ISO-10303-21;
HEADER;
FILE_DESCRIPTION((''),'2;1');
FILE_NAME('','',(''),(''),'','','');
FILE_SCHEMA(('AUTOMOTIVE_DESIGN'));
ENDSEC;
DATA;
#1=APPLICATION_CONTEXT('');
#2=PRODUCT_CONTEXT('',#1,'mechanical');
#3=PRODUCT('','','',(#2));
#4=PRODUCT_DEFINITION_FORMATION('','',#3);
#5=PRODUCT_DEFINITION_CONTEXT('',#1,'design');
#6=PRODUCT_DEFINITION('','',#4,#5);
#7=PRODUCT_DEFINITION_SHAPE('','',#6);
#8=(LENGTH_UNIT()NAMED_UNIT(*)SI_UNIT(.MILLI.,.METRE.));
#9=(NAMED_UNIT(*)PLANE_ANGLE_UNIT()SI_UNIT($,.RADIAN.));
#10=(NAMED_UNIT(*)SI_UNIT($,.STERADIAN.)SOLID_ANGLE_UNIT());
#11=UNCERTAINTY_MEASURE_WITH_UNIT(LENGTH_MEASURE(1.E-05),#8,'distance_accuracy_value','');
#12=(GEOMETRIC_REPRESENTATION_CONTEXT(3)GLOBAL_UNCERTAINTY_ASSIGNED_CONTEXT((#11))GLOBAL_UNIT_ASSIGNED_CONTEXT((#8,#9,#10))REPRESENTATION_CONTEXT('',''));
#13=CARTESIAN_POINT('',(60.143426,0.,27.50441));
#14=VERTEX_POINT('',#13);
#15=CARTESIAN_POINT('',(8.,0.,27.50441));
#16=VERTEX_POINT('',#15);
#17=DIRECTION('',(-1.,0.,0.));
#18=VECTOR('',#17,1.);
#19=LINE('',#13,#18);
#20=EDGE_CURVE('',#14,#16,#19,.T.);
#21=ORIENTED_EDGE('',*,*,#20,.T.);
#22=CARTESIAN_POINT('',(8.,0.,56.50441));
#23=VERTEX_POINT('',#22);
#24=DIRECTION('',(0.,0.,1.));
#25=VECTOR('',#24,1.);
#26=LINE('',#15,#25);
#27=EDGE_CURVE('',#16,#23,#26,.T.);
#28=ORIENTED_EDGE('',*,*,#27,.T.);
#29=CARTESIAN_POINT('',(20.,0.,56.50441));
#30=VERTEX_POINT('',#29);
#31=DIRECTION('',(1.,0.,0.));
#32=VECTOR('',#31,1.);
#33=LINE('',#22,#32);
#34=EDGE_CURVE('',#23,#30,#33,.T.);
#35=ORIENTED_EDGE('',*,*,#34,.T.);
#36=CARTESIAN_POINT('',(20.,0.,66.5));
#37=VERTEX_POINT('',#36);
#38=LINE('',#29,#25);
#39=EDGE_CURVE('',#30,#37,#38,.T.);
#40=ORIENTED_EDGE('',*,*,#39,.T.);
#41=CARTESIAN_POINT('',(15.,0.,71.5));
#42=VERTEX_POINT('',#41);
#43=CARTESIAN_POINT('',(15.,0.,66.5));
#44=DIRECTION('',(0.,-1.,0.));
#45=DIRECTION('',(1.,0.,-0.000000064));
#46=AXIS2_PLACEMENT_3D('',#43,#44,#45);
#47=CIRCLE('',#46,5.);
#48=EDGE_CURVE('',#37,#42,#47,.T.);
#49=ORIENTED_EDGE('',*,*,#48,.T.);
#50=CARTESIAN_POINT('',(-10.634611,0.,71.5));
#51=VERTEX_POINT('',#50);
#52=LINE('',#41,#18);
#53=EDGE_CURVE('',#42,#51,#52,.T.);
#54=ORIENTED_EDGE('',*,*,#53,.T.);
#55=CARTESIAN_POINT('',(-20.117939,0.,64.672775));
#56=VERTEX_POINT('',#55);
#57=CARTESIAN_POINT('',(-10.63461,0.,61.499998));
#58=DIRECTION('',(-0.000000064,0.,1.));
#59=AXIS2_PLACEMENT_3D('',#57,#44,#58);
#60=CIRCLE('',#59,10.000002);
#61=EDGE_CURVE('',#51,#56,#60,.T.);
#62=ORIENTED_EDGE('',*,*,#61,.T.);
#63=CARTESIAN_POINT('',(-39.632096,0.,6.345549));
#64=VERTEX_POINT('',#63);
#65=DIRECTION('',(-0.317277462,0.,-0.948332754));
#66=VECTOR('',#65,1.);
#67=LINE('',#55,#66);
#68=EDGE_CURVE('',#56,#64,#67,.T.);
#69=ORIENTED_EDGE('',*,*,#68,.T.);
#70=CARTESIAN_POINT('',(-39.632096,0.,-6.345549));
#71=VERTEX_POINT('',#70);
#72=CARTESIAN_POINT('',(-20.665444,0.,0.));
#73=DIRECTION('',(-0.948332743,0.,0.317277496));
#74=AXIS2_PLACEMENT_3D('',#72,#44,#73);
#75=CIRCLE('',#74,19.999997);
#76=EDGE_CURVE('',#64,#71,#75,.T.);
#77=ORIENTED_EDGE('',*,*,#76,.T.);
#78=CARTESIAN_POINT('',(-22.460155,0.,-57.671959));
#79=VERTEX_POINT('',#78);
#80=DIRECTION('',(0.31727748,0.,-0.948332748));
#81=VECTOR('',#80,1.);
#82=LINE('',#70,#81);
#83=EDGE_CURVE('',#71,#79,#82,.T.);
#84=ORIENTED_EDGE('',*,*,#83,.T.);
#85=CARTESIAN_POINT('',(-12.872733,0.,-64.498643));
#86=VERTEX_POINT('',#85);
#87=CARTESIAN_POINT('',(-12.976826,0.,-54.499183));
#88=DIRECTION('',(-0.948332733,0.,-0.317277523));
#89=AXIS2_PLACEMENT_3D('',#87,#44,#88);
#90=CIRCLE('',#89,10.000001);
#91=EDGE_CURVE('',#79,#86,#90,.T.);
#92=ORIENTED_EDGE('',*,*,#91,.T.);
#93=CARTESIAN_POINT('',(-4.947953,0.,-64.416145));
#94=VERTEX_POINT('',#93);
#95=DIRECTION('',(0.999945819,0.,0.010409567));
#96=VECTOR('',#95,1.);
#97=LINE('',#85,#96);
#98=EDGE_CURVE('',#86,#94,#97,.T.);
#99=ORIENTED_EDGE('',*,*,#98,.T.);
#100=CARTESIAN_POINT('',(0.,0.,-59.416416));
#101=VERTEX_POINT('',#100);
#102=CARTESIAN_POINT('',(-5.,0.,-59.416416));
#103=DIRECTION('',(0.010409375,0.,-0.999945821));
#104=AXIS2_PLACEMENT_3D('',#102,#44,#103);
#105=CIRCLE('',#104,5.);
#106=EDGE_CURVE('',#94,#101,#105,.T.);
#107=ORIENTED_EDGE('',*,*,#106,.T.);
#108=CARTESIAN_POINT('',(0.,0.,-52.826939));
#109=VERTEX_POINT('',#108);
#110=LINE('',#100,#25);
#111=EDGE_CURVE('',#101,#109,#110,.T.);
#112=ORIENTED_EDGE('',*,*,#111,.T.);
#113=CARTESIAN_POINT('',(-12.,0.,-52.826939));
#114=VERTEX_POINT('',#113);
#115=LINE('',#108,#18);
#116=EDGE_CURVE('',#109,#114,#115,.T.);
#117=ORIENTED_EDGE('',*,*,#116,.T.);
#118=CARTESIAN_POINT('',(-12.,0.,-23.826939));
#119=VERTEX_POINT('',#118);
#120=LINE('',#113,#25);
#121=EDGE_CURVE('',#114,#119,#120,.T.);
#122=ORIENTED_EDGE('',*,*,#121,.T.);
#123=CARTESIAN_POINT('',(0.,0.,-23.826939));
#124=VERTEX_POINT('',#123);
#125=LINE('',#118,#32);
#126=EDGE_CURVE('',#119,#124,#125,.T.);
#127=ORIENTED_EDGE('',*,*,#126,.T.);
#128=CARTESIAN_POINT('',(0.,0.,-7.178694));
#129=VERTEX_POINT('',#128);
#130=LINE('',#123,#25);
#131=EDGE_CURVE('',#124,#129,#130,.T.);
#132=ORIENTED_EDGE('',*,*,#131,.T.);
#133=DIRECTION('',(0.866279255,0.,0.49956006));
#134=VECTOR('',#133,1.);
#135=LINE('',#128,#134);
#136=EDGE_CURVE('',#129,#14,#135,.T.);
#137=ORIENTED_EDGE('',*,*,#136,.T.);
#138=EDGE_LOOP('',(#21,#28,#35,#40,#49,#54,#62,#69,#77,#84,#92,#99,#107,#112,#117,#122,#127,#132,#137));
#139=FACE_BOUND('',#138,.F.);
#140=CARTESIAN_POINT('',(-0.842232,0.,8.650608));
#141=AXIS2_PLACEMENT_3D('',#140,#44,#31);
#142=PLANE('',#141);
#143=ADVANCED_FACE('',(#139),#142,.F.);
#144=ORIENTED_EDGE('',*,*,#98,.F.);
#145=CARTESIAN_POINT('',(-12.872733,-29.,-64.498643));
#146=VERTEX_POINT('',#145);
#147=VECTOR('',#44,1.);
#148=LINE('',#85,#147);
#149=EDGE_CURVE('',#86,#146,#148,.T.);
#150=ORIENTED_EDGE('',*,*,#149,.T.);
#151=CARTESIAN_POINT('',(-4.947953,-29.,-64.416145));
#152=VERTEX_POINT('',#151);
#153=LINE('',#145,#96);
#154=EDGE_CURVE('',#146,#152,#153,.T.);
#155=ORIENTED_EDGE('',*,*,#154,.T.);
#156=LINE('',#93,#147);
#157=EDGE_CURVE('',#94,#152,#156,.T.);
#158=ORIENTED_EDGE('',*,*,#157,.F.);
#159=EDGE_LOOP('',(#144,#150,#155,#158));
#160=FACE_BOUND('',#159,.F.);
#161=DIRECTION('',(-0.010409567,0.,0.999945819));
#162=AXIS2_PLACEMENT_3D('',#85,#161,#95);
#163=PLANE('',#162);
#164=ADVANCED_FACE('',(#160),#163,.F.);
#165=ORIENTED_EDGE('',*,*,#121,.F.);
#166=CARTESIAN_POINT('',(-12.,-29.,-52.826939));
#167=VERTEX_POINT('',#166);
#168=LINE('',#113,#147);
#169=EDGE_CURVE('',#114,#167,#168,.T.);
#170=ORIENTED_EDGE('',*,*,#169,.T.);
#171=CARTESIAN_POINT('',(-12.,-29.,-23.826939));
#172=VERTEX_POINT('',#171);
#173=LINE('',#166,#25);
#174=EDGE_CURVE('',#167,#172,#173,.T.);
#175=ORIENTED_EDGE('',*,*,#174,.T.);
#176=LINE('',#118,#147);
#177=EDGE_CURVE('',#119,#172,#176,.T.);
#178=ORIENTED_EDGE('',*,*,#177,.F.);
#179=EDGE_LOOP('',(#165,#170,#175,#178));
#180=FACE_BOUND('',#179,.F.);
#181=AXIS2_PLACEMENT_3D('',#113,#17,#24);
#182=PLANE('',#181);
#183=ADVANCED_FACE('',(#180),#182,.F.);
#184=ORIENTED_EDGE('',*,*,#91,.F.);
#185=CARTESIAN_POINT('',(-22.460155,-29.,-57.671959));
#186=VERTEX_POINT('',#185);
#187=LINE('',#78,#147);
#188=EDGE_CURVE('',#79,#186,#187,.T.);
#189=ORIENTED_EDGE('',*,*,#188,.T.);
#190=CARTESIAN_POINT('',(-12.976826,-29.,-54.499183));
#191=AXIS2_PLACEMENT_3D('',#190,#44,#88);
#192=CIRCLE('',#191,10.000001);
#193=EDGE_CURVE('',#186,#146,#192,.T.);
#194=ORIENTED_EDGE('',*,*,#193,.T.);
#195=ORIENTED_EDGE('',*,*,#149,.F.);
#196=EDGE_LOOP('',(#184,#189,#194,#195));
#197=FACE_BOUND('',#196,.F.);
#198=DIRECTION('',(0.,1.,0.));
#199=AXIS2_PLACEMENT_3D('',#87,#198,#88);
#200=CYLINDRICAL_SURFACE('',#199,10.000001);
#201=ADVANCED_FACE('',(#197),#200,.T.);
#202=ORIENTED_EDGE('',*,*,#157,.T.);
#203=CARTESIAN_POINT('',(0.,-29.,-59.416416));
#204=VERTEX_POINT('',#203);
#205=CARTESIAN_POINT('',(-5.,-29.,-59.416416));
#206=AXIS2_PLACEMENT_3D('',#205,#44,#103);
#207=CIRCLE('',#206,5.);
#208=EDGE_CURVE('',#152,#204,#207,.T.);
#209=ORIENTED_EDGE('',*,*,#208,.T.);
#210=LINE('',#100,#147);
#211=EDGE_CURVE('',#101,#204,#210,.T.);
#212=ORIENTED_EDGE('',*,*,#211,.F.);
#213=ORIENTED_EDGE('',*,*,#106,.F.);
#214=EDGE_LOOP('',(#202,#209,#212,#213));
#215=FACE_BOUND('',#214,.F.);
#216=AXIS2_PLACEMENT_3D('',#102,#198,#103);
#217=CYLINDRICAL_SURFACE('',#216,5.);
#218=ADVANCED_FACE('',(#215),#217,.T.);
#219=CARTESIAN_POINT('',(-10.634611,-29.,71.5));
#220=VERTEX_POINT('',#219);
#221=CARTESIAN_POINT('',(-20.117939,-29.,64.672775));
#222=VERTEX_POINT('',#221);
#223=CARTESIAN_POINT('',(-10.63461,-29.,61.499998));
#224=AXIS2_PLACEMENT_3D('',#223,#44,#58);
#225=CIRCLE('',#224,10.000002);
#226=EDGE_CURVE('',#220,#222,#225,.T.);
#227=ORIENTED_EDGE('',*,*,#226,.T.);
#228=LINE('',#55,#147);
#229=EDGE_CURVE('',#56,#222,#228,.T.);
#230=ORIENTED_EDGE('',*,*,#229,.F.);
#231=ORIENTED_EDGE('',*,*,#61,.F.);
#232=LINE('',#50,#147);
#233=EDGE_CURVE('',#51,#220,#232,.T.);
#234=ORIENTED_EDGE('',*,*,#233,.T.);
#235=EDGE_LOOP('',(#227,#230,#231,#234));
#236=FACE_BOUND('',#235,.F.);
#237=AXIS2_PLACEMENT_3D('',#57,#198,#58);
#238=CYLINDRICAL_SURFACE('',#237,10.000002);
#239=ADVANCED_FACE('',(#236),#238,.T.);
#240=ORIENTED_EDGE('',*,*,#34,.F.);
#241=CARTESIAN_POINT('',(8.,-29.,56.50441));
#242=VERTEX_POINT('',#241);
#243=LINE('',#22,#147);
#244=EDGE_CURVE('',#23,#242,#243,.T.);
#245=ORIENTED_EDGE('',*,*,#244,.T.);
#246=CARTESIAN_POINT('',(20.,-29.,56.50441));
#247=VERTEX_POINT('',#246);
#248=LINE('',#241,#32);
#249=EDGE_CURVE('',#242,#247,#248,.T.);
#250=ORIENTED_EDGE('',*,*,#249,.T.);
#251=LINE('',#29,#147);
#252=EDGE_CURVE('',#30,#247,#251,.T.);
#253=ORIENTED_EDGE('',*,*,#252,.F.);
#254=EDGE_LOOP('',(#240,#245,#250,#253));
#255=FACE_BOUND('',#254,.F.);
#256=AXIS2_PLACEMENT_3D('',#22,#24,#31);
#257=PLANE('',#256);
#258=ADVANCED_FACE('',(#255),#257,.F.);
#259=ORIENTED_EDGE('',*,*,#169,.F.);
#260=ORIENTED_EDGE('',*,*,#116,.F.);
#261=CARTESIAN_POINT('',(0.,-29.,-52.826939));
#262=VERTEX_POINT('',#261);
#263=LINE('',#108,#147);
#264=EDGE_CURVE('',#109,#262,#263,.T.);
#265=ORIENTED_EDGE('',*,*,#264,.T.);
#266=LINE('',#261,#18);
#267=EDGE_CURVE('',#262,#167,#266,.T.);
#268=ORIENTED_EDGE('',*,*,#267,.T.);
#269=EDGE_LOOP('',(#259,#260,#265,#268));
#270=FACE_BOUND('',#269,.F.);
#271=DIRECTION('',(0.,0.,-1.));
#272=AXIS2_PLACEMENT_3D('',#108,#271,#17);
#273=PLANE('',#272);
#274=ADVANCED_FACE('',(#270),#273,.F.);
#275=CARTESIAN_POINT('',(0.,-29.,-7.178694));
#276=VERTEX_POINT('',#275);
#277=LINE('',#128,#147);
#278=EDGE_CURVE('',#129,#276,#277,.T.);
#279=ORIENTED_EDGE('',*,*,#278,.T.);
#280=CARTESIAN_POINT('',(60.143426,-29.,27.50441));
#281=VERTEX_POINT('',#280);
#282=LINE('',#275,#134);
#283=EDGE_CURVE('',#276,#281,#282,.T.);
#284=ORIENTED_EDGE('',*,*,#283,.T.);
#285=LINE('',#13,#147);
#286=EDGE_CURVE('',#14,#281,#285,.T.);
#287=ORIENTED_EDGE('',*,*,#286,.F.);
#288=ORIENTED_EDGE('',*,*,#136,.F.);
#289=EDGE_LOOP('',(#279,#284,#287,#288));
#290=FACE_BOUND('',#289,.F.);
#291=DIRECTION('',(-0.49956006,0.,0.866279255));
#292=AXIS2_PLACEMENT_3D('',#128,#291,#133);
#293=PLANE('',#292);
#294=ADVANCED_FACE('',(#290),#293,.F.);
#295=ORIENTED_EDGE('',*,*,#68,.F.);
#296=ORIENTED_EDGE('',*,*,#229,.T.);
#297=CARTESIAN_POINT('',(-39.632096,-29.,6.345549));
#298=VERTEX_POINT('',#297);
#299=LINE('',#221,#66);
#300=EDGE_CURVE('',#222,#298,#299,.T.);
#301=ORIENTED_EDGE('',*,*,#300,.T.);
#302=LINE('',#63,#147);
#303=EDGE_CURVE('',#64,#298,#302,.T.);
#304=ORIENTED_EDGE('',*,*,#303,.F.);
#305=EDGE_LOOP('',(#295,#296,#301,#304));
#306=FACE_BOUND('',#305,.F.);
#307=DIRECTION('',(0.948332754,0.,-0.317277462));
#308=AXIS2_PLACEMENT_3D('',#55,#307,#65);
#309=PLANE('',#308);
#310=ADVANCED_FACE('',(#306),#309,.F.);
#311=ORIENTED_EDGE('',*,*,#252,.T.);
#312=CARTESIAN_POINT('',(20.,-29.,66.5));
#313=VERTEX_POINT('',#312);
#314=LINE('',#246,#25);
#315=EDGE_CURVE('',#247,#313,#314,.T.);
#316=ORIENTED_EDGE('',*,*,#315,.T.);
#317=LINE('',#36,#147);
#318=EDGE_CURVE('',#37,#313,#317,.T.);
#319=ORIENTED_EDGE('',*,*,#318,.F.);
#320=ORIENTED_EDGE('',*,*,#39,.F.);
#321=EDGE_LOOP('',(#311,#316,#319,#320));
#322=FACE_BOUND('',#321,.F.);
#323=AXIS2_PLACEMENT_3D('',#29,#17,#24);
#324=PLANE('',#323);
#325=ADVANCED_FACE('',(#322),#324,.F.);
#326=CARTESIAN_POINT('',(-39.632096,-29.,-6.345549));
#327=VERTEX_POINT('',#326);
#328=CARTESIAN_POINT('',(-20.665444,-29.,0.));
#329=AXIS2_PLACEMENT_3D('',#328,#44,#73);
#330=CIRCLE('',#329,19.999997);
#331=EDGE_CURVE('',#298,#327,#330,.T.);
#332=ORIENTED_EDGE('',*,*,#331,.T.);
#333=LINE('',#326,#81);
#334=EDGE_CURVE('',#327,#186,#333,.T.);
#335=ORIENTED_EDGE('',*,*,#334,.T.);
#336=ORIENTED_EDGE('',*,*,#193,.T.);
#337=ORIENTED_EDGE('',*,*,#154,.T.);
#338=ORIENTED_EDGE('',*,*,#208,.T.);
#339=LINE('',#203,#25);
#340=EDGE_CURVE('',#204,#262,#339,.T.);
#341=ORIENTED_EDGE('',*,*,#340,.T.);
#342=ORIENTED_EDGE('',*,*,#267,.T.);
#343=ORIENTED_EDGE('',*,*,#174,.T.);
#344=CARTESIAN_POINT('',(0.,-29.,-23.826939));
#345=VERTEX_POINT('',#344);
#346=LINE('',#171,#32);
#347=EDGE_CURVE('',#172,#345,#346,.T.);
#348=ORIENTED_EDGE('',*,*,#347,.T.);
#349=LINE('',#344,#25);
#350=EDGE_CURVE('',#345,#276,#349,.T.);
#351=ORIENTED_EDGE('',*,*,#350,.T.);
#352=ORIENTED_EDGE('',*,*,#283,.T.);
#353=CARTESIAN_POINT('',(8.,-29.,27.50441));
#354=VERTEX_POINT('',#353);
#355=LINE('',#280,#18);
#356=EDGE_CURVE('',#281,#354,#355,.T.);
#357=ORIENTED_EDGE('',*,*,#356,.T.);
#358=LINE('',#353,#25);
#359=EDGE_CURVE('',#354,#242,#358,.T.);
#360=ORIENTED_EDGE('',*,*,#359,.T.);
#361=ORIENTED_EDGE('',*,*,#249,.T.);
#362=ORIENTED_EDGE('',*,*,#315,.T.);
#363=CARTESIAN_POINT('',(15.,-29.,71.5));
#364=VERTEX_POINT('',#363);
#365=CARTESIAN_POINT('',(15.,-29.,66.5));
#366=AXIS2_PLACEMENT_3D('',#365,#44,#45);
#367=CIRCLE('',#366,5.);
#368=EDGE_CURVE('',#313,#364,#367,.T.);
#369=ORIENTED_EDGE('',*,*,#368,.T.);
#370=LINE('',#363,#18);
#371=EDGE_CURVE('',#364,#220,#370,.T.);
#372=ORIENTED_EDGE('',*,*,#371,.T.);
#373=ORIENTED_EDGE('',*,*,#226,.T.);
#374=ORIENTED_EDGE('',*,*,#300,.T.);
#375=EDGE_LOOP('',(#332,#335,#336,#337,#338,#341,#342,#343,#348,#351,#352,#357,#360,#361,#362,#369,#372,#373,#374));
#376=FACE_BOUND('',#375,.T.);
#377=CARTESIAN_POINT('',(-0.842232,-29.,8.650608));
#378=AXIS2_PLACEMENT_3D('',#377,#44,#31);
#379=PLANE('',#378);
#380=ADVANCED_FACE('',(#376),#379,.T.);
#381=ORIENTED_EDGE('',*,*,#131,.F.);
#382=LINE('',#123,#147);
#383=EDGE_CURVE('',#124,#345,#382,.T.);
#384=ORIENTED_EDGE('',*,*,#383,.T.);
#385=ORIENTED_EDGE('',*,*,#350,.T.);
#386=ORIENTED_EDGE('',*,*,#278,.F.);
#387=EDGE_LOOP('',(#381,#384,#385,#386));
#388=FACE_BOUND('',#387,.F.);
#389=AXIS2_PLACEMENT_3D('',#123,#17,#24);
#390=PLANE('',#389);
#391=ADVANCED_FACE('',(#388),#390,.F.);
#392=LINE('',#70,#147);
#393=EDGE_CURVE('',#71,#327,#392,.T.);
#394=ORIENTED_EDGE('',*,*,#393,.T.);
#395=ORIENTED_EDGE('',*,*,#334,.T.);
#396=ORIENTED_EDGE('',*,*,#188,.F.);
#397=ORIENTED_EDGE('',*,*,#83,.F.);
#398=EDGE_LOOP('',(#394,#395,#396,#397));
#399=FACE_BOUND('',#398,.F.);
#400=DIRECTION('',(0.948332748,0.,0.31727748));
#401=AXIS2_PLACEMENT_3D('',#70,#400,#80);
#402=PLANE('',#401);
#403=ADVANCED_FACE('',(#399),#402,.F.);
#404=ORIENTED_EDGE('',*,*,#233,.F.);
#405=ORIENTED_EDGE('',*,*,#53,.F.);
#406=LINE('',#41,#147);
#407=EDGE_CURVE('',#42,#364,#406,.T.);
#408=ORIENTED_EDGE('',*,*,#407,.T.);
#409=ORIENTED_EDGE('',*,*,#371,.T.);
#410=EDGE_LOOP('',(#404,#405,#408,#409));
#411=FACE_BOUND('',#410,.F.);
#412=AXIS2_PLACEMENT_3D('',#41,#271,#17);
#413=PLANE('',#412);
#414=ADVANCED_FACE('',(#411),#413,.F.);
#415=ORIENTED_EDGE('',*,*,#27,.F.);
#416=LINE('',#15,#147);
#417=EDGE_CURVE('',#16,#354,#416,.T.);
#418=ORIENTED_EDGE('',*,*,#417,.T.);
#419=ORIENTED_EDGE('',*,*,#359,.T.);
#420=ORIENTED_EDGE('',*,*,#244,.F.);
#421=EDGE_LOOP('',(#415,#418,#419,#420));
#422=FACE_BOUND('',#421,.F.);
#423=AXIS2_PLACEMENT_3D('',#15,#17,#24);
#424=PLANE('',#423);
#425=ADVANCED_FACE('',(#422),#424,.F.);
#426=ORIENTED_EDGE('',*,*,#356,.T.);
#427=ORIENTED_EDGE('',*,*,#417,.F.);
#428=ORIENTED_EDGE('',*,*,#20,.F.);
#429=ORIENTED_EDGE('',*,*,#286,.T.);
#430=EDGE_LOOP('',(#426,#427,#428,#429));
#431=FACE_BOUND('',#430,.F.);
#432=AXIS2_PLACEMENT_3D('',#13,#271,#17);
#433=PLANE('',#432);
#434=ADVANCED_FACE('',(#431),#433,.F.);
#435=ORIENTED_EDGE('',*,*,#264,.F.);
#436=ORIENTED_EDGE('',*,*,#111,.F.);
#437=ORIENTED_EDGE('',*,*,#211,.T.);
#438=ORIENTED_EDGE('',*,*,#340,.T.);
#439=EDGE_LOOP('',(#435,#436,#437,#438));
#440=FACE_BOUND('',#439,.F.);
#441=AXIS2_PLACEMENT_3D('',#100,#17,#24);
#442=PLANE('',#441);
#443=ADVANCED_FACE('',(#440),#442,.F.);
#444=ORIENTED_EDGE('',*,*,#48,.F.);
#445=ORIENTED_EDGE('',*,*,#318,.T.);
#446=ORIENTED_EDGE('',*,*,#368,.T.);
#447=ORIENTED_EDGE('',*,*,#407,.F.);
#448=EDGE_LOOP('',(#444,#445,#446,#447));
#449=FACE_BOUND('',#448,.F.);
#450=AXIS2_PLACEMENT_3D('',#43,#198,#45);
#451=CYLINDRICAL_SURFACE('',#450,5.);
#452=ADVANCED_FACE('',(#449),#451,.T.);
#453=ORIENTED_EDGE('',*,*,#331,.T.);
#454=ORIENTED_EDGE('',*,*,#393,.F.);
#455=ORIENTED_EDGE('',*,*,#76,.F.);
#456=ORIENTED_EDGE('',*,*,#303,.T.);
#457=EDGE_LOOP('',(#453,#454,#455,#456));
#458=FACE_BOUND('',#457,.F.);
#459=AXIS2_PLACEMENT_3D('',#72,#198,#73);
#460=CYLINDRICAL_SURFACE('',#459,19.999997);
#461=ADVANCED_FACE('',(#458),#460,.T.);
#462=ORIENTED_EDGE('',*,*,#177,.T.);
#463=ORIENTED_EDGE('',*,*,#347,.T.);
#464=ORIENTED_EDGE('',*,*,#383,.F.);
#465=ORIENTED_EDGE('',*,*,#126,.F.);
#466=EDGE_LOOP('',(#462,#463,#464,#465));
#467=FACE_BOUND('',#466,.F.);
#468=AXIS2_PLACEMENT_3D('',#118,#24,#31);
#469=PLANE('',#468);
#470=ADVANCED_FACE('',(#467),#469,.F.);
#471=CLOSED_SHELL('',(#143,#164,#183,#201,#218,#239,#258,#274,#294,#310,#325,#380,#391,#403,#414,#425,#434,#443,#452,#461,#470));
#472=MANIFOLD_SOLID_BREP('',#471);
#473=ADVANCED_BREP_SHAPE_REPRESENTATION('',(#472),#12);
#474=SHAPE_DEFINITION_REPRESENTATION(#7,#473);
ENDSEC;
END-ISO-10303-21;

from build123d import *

# Parameters (mm, degrees)
F1_DEPTH = 29


with BuildPart() as f1:
    # F0 (on Front) → F1 (new body)
    with BuildSketch(Plane.XZ):
        with BuildLine():
            ThreePointArc((20, 66.5), (18.535534, 70.035534), (15, 71.5))
            Line((15, 71.5), (-10.634611, 71.5))
            ThreePointArc((-10.634611, 71.5), (-16.477224, 69.615656), (-20.117939, 64.672775))
            Line((-20.117939, 64.672775), (-39.632096, 6.345549))
            ThreePointArc((-39.632096, 6.345549), (-40.665441, 0), (-39.632096, -6.345549))
            Line((-39.632096, -6.345549), (-22.460155, -57.671959))
            ThreePointArc((-22.460155, -57.671959), (-18.777121, -62.64514), (-12.872733, -64.498643))
            Line((-12.872733, -64.498643), (-4.947953, -64.416145))
            ThreePointArc((-4.947953, -64.416145), (-1.446112, -62.9335), (0, -59.416416))
            Line((0, -59.416416), (0, -52.826939))
            Line((0, -52.826939), (-12, -52.826939))
            Line((-12, -52.826939), (-12, -23.826939))
            Line((-12, -23.826939), (0, -23.826939))
            Line((0, -23.826939), (0, -7.178694))
            Line((0, -7.178694), (60.143426, 27.50441))
            Line((60.143426, 27.50441), (8, 27.50441))
            Line((8, 27.50441), (8, 56.50441))
            Line((8, 56.50441), (20, 56.50441))
            Line((20, 56.50441), (20, 66.5))
        make_face()
    extrude(amount=F1_DEPTH)


solid = f1.part
